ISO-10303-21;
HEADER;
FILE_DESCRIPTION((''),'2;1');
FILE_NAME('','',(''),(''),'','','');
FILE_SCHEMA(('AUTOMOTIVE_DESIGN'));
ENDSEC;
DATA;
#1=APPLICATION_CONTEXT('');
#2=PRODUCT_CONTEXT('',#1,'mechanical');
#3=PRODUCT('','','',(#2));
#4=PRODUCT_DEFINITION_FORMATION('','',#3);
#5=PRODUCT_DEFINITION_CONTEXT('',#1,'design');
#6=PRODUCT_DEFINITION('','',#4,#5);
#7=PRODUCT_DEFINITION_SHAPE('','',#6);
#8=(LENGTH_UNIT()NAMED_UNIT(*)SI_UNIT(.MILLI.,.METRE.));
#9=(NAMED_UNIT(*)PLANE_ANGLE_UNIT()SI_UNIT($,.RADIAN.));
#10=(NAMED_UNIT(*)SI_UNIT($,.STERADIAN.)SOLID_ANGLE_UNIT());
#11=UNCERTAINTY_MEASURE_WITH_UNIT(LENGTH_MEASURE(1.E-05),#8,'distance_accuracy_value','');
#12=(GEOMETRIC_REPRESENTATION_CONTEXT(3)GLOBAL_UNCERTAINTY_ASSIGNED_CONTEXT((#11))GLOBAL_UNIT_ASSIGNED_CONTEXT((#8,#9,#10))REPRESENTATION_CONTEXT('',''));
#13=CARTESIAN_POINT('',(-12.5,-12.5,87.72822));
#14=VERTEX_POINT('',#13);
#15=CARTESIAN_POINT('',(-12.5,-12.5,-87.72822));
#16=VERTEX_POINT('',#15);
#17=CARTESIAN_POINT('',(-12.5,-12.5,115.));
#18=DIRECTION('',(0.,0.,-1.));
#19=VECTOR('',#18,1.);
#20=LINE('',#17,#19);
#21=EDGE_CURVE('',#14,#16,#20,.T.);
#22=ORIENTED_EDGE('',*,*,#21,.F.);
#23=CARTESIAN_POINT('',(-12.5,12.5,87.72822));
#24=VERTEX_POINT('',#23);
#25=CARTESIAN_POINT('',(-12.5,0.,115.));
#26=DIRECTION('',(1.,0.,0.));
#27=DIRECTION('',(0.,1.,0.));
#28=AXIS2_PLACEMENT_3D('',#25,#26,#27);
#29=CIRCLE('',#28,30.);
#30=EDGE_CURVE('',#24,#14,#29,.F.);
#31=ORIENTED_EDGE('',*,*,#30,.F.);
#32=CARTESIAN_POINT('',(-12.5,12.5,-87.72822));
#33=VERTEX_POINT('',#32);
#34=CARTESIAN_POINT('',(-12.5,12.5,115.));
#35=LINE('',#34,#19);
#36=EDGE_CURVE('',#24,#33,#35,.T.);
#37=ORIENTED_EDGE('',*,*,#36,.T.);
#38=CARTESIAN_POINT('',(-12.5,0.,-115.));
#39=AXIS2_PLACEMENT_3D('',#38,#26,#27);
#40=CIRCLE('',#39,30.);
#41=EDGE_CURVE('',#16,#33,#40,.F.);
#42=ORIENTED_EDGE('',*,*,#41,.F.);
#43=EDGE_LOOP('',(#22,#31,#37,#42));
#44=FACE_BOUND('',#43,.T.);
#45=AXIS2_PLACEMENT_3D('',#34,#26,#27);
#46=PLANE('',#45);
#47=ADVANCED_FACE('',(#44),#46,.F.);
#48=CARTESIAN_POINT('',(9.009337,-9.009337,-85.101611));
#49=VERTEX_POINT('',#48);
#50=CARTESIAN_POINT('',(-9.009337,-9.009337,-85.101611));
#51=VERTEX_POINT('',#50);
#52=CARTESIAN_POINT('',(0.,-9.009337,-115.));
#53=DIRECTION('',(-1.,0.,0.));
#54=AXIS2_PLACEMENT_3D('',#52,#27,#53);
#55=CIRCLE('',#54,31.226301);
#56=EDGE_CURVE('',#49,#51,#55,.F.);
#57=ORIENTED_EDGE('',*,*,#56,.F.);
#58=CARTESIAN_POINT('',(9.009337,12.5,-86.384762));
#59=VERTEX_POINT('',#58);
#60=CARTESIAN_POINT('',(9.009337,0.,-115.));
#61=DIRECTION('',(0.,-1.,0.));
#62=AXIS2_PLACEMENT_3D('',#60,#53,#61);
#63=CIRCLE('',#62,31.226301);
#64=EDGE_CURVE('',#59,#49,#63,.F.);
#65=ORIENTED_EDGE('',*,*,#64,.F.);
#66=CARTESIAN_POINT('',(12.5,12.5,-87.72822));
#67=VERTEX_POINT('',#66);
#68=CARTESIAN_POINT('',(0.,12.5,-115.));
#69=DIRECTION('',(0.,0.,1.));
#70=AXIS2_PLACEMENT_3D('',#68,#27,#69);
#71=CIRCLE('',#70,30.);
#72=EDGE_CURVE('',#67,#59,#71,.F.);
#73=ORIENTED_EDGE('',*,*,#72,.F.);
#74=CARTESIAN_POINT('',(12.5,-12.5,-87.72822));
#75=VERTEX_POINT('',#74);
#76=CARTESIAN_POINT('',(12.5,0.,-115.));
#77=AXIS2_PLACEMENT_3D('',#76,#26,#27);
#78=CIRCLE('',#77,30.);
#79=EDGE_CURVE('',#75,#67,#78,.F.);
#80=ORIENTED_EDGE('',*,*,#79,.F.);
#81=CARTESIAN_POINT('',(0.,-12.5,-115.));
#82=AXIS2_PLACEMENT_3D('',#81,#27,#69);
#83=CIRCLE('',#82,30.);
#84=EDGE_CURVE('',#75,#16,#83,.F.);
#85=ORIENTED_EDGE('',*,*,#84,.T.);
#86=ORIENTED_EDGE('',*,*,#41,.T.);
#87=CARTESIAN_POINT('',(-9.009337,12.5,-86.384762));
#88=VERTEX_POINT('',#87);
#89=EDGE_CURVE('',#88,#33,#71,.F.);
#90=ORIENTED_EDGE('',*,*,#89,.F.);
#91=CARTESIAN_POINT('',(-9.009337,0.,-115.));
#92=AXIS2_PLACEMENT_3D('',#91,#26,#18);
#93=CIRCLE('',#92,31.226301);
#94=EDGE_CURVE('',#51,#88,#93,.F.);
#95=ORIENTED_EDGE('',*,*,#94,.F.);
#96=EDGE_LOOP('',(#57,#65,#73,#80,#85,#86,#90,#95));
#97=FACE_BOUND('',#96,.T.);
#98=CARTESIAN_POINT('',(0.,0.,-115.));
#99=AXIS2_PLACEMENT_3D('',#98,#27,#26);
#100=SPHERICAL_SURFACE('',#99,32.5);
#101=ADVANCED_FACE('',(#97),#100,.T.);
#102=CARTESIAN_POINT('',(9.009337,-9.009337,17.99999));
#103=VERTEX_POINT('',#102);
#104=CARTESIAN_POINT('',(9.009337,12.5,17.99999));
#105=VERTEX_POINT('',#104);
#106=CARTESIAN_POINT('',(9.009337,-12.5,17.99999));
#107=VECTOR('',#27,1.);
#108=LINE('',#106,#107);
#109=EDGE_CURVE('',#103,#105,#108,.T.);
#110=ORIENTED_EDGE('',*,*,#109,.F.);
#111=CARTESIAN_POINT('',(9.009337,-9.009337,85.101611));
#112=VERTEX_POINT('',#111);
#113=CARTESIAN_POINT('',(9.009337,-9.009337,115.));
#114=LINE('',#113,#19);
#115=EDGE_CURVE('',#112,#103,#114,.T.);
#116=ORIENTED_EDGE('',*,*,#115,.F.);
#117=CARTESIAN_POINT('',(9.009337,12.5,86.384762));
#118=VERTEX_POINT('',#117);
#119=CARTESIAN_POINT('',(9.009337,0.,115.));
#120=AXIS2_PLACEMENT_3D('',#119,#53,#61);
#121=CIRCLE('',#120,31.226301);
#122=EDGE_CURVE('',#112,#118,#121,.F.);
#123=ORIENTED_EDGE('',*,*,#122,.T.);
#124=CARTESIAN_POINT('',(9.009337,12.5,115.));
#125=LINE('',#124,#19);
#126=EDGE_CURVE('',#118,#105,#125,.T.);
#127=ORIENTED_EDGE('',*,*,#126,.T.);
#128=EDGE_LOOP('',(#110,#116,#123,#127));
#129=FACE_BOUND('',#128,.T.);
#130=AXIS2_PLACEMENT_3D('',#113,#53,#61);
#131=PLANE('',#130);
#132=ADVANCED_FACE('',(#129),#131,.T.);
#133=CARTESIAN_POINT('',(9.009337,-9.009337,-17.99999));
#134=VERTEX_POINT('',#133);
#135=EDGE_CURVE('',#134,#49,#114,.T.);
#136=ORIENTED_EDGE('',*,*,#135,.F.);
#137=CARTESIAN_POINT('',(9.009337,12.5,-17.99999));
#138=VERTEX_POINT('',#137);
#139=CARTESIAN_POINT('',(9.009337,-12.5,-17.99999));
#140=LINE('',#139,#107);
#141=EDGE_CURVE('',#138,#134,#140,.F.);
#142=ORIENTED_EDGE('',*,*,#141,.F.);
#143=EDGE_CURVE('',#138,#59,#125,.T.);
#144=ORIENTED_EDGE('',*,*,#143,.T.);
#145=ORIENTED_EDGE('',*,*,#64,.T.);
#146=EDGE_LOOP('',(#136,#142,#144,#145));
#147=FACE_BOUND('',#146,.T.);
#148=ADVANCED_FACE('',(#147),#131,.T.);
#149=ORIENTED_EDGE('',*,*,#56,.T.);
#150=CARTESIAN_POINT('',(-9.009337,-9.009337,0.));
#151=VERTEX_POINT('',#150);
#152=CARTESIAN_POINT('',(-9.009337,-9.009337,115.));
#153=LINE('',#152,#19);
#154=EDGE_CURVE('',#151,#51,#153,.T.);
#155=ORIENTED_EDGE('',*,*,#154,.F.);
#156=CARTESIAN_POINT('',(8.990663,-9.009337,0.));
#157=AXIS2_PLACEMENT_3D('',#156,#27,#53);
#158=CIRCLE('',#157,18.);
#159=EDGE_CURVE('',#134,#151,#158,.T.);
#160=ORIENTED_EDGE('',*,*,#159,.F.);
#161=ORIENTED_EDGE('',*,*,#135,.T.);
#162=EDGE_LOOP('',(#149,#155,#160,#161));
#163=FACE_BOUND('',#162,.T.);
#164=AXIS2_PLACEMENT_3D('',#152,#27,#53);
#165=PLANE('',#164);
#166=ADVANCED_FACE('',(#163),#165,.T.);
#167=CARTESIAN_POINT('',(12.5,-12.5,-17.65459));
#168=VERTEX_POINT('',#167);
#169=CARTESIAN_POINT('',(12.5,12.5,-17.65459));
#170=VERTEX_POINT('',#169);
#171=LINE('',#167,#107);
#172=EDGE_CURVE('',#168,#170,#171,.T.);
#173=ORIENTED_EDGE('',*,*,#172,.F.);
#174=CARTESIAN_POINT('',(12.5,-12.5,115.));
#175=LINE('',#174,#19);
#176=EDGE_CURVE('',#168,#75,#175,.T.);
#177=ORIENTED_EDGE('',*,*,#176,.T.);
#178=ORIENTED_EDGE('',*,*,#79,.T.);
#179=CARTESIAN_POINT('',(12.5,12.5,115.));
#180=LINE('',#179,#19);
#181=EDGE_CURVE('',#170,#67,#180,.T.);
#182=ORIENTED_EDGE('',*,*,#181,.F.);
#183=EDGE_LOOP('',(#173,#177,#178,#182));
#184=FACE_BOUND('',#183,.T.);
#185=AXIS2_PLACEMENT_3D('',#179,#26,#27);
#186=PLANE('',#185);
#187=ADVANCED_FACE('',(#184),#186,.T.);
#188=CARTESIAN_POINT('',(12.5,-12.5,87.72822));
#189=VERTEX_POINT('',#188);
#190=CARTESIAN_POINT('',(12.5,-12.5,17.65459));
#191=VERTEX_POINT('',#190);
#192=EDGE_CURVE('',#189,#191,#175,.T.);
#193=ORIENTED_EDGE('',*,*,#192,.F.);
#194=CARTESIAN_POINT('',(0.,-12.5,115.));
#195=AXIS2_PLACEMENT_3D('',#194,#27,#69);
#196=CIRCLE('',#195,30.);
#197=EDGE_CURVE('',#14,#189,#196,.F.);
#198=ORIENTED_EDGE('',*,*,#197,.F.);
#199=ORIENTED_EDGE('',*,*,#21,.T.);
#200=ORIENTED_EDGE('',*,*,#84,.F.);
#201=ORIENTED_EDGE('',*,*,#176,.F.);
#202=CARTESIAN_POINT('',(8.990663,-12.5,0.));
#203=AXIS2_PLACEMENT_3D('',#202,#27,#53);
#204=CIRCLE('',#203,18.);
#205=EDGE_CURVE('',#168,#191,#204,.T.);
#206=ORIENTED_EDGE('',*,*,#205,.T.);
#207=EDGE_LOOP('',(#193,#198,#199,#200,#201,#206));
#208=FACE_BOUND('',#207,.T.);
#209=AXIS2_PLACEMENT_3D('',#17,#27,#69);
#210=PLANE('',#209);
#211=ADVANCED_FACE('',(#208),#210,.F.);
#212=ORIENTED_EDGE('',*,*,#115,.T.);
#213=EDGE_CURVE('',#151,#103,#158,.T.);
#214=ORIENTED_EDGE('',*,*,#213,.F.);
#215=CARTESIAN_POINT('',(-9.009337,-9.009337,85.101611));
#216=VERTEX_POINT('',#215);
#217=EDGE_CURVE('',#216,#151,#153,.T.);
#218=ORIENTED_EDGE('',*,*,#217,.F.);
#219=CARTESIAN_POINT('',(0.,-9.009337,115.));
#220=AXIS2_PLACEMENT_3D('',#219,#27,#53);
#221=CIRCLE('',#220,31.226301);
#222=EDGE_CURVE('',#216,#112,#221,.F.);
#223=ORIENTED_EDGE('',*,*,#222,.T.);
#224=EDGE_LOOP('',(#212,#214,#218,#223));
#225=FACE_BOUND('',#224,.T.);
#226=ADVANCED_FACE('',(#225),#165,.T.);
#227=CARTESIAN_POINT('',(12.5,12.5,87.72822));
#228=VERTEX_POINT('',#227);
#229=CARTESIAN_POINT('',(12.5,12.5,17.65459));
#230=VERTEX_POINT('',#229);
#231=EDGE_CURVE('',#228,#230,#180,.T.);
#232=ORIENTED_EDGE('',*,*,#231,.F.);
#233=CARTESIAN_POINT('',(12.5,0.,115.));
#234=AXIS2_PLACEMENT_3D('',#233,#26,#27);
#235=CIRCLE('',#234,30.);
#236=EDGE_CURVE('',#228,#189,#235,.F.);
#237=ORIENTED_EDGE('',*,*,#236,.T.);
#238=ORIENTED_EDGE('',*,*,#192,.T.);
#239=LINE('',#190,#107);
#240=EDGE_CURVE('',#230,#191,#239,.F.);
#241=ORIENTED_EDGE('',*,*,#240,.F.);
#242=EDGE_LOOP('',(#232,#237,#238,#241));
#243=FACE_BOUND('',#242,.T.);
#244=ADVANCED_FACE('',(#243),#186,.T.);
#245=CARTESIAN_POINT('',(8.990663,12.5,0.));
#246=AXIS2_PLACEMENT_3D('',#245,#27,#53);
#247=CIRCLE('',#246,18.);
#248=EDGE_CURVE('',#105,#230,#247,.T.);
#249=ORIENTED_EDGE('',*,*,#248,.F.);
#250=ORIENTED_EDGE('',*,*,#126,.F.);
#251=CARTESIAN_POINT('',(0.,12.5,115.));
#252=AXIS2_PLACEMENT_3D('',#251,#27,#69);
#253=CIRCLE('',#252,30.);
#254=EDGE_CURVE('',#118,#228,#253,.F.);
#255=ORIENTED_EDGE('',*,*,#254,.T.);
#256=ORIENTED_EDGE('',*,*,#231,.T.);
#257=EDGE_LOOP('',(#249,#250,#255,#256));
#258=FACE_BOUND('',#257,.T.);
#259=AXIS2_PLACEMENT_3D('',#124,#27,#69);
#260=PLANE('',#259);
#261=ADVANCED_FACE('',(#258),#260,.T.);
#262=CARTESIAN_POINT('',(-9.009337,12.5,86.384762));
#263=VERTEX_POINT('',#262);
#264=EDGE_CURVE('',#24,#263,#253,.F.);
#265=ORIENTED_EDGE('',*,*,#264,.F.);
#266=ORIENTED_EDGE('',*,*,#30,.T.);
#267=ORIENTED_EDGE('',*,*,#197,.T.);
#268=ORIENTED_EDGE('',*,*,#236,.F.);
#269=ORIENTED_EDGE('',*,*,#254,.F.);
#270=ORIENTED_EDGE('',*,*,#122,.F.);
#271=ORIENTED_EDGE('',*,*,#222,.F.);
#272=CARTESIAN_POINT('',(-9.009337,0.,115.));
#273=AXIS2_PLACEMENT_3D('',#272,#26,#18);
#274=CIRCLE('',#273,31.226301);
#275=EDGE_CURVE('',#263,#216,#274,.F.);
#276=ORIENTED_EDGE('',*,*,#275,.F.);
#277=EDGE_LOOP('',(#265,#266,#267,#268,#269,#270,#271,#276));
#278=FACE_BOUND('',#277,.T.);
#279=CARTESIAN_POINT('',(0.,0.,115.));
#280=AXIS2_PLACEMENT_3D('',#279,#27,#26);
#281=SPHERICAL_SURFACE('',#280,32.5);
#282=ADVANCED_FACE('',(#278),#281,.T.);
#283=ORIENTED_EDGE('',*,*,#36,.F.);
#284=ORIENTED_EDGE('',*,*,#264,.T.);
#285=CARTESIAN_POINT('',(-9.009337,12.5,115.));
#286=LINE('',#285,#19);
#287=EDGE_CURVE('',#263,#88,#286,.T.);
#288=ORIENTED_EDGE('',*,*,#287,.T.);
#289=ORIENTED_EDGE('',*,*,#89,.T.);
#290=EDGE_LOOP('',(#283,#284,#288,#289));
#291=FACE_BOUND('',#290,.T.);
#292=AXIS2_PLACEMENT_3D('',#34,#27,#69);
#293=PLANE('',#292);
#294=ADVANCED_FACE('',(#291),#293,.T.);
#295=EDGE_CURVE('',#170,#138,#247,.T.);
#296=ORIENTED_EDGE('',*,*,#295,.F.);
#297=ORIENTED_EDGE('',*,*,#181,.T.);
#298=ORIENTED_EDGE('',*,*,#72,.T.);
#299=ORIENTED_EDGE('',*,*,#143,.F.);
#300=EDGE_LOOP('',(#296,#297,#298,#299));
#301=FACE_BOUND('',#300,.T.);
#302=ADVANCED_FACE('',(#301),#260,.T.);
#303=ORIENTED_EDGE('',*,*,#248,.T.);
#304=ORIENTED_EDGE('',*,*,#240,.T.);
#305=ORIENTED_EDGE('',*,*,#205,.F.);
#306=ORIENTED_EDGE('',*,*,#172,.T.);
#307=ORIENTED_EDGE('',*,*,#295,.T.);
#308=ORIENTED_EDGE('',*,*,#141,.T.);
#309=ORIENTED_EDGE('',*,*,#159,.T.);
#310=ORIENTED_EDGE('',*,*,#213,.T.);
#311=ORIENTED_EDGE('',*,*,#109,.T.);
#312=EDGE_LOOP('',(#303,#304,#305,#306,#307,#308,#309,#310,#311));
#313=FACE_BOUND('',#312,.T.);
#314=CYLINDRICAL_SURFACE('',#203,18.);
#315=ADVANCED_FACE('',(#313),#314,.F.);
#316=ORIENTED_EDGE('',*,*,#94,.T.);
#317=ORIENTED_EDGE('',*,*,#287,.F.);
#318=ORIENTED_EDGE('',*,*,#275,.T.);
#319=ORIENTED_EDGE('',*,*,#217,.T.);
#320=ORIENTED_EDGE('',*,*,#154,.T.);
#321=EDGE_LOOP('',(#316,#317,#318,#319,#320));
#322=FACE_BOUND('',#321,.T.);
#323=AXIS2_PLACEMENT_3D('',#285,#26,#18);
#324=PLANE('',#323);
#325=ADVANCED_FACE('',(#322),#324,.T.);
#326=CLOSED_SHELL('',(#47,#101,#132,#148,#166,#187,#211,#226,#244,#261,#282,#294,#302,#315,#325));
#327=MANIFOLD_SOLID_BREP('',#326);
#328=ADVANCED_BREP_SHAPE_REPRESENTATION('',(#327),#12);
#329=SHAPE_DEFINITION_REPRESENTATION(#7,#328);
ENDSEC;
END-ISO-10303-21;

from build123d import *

# Parameters (mm, degrees)
BOSS_EXTRUDE1_DEPTH     = 115
CUT_EXTRUDE1_DEPTH      = 118.660110418
CUT_EXTRUDE1_DEPTH_BACK = 118.660110418
SKETCH2_R               = 18


with BuildPart() as part:
    # Sketch1 → Boss-Extrude1 (new, symmetric)
    with BuildSketch(Plane.XY):
        Polygon((-9.009337123, 12.5), (-9.009337123, -9.009337123), (9.009337123, -9.009337123), (9.009337123, 12.5), (12.5, 12.5), (12.5, -12.5), (-12.5, -12.5), (-12.5, 12.5), align=None)
    extrude(amount=BOSS_EXTRUDE1_DEPTH, both=True)

    # Sketch2 → Cut-Extrude1 (cut, two sides: drawn at the far end of the back side and taken through both)
    with BuildSketch(Plane(origin=(0, -9.009337123, 0), x_dir=(1, 0, 0), z_dir=(0, 1, 0)).offset(-CUT_EXTRUDE1_DEPTH_BACK)):
        with Locations((8.990662877, 0)):
            Circle(SKETCH2_R)
    extrude(amount=CUT_EXTRUDE1_DEPTH + CUT_EXTRUDE1_DEPTH_BACK, mode=Mode.SUBTRACT)

    # Sketch3 → Revolve1 (revolve)
    with BuildSketch(Plane.XY.offset(115)):
        with BuildLine():
            Line((0, 32.5), (0, -32.5))
            ThreePointArc((0, -32.5), (32.5, 0), (0, 32.5))
        make_face()
    revolve1 = revolve(axis=Axis((0, 32.5, 115), (0, -1, 0)))

    # Mirror1: Revolve1 across plane
    add(revolve1.mirror(Plane.XY))


solid = part.part
